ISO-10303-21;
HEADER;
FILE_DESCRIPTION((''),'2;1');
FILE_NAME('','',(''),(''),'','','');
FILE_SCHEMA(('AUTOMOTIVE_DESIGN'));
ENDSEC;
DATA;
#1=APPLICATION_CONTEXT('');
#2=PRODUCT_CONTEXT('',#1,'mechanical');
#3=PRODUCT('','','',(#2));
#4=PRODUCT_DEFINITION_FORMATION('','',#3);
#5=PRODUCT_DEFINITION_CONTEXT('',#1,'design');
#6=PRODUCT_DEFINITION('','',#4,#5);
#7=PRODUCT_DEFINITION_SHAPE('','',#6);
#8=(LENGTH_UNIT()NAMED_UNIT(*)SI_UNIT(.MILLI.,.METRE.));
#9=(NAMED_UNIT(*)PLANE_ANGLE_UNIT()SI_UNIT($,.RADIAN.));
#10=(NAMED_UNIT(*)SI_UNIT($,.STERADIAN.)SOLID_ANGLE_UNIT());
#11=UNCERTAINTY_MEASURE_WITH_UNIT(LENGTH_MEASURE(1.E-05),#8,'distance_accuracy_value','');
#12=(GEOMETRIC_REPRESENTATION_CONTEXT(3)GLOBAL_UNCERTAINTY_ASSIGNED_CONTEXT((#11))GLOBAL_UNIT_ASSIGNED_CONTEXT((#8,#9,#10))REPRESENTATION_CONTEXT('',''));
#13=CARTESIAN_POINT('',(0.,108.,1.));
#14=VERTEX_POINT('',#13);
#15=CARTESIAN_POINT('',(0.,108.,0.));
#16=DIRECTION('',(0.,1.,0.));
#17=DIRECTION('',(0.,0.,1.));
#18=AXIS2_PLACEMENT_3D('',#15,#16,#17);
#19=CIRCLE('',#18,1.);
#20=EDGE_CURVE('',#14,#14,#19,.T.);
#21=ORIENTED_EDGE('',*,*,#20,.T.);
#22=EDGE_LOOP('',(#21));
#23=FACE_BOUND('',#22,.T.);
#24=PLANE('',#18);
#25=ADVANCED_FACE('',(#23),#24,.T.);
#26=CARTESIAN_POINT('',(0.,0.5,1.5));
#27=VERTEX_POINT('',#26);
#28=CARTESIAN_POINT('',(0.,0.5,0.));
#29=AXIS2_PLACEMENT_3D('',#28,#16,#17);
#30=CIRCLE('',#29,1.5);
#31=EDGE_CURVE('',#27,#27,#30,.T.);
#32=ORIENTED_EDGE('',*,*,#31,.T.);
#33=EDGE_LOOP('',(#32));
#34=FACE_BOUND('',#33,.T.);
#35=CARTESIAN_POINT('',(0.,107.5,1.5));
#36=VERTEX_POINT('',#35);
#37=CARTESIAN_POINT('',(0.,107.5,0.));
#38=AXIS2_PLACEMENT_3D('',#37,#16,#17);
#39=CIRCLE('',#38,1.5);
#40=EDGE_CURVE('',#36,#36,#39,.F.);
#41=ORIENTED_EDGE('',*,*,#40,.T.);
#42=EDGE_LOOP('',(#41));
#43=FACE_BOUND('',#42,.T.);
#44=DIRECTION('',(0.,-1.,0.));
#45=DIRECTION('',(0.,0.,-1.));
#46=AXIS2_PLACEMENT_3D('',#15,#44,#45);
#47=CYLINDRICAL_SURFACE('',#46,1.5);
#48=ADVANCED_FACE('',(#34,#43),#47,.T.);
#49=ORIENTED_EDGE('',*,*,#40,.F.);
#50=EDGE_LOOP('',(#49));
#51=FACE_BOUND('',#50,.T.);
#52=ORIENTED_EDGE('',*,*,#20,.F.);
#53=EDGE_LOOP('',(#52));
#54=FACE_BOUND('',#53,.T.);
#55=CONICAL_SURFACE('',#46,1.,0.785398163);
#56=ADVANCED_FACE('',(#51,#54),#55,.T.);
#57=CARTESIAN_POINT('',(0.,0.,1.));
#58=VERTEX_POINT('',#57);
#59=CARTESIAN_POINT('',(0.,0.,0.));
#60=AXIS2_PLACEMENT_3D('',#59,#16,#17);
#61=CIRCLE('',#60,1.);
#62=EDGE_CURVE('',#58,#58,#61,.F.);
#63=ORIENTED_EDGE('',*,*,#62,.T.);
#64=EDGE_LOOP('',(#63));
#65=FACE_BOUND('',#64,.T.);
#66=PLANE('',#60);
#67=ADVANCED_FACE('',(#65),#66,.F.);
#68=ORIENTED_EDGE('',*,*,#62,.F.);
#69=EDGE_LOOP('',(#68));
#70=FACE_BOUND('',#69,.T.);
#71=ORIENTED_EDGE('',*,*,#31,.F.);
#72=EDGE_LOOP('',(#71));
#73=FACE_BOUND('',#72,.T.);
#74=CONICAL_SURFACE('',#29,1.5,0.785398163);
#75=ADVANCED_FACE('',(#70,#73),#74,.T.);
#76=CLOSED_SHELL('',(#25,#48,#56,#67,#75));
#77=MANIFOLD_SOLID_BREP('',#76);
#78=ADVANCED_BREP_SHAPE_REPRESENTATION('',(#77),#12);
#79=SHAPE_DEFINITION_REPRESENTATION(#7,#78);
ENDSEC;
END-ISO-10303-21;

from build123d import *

# Parameters (mm, degrees)
CROQUIS1_R              = 1.5
SALIENTE_EXTRUIR1_DEPTH = 108
CHAFL_N1_SIZE           = 0.5


with BuildPart() as part:
    # Croquis1 → Saliente-Extruir1 (new body)
    with BuildSketch(Plane(origin=(0, 0, 0), x_dir=(1, 0, 0), z_dir=(0, 1, 0))):
        Circle(CROQUIS1_R)
    extrude(amount=SALIENTE_EXTRUIR1_DEPTH)

    # Chaflán1
    chafl_n1_edges = [part.edges().sort_by_distance(p)[0] for p in [
        (-1.5, 0, 0),
        (-1.5, 108, 0),
    ]]
    chamfer(chafl_n1_edges, length=CHAFL_N1_SIZE)


solid = part.part
